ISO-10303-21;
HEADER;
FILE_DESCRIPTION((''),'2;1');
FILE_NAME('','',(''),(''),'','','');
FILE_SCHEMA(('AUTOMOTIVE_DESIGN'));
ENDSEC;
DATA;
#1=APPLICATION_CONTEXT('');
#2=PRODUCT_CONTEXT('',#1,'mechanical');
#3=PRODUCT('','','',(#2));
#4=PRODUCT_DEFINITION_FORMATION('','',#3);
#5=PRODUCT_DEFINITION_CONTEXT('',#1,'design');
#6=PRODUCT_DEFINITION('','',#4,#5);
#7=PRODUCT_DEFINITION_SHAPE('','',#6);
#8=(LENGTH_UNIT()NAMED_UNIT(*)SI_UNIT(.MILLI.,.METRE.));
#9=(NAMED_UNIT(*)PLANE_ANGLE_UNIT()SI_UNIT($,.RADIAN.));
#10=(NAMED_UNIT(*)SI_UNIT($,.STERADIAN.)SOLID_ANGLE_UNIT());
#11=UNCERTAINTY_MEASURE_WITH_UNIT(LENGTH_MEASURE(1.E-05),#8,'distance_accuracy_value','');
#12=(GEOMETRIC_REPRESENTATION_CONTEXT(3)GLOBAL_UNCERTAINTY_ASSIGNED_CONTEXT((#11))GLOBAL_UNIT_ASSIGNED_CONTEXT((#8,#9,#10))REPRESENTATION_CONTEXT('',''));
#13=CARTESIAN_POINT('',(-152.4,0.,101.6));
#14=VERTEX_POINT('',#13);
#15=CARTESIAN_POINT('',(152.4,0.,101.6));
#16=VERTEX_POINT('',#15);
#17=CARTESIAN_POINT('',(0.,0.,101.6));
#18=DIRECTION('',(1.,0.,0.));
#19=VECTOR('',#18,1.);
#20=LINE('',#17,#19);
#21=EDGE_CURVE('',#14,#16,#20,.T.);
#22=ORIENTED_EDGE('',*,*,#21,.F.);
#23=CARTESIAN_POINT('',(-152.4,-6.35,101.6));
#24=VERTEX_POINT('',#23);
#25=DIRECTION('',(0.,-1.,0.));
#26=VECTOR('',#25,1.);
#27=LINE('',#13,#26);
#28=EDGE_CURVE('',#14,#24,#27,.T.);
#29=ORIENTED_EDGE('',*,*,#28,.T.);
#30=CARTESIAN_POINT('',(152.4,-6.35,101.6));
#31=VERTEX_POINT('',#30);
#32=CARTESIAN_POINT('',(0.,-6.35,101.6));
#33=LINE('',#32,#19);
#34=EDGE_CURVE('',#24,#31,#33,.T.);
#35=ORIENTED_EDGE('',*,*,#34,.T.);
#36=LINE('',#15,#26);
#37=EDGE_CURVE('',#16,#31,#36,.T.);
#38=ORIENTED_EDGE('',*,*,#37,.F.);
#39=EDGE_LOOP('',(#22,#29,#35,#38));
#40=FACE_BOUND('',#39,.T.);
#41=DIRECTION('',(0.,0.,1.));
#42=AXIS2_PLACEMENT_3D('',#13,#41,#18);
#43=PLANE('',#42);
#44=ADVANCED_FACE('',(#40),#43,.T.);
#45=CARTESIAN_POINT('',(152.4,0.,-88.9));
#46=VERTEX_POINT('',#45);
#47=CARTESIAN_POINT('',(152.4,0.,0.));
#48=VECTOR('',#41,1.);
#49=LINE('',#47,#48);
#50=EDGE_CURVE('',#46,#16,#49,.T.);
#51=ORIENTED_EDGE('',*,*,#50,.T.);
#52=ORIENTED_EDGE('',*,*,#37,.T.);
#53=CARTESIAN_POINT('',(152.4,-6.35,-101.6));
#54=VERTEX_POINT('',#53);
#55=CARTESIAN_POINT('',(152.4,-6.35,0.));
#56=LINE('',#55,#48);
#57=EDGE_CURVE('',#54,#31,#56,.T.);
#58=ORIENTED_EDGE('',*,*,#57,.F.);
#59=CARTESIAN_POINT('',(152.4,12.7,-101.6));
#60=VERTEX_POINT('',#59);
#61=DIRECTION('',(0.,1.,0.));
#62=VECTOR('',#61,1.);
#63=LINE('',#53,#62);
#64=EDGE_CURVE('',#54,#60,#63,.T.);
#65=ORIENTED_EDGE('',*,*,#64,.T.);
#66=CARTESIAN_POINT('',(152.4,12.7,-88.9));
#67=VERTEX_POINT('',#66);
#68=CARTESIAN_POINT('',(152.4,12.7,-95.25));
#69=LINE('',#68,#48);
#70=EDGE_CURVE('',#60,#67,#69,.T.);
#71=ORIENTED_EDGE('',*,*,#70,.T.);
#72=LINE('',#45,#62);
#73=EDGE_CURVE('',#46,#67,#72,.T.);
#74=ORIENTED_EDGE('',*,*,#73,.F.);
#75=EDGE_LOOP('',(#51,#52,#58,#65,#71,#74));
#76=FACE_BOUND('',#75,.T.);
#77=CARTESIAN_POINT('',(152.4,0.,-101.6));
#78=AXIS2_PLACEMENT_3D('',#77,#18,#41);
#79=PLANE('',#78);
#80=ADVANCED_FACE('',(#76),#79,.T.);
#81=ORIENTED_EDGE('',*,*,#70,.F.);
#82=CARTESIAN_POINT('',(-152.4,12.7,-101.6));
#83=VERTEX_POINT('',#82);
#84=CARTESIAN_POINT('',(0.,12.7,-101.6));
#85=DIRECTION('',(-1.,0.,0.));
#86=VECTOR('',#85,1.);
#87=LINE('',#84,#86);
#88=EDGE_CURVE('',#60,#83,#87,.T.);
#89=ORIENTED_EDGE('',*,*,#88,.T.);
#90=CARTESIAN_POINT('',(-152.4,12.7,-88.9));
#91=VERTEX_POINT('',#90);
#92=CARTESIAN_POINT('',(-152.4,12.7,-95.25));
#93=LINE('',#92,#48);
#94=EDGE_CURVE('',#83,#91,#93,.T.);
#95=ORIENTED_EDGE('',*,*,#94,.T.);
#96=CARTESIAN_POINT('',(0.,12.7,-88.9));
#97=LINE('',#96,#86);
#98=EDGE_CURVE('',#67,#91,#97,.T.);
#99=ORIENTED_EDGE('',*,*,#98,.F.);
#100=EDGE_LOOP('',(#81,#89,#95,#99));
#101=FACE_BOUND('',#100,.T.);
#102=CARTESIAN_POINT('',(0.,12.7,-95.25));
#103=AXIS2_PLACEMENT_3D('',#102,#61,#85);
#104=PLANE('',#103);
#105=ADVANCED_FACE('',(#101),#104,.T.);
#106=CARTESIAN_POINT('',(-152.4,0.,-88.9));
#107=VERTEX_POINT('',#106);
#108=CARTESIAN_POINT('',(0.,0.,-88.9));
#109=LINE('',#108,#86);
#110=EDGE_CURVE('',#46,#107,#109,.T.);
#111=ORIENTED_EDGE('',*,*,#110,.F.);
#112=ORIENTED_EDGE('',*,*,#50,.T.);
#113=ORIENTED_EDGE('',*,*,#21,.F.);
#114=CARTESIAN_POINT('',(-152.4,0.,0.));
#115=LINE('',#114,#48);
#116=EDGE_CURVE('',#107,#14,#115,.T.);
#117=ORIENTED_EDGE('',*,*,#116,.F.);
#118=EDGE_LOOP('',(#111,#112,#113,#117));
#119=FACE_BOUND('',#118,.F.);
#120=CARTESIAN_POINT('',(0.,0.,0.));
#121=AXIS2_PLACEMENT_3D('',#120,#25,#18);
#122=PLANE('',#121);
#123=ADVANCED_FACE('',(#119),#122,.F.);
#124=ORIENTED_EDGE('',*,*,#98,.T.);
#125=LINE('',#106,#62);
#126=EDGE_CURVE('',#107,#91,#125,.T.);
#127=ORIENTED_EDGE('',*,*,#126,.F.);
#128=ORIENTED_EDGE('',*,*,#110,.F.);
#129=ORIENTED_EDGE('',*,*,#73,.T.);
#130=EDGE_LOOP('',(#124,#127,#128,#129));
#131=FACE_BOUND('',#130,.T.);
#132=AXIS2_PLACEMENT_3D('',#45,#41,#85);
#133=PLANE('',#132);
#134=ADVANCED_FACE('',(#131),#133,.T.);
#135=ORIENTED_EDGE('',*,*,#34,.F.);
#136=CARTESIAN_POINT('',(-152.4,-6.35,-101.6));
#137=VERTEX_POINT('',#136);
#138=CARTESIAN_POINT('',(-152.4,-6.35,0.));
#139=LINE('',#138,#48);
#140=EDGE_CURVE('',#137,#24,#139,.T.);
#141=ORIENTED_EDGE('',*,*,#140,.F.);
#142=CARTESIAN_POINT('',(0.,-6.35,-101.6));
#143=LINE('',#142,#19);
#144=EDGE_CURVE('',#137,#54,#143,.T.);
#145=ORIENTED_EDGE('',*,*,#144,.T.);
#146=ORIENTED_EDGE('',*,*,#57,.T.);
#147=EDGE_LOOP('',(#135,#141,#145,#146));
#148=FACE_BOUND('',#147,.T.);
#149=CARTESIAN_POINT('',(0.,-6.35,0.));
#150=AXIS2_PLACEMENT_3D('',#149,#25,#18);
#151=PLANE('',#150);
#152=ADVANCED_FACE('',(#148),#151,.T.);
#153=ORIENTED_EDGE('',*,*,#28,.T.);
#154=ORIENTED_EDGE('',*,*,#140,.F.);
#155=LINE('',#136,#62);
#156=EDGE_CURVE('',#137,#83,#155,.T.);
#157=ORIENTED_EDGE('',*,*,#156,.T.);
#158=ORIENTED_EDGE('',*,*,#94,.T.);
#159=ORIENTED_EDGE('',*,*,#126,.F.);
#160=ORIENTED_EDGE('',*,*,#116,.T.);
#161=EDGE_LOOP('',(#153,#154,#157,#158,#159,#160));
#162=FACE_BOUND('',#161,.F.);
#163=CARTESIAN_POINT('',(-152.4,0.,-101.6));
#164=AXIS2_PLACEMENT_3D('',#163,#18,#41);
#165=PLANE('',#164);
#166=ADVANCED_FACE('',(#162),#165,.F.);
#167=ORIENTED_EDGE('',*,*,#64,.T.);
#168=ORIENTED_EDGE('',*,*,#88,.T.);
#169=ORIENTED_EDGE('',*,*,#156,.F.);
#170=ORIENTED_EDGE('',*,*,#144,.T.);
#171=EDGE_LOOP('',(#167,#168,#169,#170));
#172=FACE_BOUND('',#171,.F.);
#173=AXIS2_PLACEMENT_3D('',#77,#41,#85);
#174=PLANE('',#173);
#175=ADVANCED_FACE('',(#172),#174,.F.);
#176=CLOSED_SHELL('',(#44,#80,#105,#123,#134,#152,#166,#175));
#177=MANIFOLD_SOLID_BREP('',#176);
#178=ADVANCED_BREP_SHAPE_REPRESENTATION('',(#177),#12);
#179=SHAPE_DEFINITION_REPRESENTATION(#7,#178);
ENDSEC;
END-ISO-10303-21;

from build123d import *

# Parameters (mm, degrees)
F0_W     = 304.8
F0_H     = 203.2
F1_DEPTH = 6.35
F2_W     = 304.8
F2_H     = 12.7
F3_DEPTH = 12.7


with BuildPart() as f1:
    # F0 (on Front) → F1 (new body)
    with BuildSketch(Plane.XZ):
        Rectangle(F0_W, F0_H)
    extrude(amount=F1_DEPTH)

    # F2 (on face) → F3 (join)
    with BuildSketch(Plane(origin=(0, 0, 0), x_dir=(-1, 0, 0), z_dir=(0, 1, 0))):
        with Locations((0, -95.25)):
            Rectangle(F2_W, F2_H)
    extrude(amount=F3_DEPTH)


solid = f1.part
